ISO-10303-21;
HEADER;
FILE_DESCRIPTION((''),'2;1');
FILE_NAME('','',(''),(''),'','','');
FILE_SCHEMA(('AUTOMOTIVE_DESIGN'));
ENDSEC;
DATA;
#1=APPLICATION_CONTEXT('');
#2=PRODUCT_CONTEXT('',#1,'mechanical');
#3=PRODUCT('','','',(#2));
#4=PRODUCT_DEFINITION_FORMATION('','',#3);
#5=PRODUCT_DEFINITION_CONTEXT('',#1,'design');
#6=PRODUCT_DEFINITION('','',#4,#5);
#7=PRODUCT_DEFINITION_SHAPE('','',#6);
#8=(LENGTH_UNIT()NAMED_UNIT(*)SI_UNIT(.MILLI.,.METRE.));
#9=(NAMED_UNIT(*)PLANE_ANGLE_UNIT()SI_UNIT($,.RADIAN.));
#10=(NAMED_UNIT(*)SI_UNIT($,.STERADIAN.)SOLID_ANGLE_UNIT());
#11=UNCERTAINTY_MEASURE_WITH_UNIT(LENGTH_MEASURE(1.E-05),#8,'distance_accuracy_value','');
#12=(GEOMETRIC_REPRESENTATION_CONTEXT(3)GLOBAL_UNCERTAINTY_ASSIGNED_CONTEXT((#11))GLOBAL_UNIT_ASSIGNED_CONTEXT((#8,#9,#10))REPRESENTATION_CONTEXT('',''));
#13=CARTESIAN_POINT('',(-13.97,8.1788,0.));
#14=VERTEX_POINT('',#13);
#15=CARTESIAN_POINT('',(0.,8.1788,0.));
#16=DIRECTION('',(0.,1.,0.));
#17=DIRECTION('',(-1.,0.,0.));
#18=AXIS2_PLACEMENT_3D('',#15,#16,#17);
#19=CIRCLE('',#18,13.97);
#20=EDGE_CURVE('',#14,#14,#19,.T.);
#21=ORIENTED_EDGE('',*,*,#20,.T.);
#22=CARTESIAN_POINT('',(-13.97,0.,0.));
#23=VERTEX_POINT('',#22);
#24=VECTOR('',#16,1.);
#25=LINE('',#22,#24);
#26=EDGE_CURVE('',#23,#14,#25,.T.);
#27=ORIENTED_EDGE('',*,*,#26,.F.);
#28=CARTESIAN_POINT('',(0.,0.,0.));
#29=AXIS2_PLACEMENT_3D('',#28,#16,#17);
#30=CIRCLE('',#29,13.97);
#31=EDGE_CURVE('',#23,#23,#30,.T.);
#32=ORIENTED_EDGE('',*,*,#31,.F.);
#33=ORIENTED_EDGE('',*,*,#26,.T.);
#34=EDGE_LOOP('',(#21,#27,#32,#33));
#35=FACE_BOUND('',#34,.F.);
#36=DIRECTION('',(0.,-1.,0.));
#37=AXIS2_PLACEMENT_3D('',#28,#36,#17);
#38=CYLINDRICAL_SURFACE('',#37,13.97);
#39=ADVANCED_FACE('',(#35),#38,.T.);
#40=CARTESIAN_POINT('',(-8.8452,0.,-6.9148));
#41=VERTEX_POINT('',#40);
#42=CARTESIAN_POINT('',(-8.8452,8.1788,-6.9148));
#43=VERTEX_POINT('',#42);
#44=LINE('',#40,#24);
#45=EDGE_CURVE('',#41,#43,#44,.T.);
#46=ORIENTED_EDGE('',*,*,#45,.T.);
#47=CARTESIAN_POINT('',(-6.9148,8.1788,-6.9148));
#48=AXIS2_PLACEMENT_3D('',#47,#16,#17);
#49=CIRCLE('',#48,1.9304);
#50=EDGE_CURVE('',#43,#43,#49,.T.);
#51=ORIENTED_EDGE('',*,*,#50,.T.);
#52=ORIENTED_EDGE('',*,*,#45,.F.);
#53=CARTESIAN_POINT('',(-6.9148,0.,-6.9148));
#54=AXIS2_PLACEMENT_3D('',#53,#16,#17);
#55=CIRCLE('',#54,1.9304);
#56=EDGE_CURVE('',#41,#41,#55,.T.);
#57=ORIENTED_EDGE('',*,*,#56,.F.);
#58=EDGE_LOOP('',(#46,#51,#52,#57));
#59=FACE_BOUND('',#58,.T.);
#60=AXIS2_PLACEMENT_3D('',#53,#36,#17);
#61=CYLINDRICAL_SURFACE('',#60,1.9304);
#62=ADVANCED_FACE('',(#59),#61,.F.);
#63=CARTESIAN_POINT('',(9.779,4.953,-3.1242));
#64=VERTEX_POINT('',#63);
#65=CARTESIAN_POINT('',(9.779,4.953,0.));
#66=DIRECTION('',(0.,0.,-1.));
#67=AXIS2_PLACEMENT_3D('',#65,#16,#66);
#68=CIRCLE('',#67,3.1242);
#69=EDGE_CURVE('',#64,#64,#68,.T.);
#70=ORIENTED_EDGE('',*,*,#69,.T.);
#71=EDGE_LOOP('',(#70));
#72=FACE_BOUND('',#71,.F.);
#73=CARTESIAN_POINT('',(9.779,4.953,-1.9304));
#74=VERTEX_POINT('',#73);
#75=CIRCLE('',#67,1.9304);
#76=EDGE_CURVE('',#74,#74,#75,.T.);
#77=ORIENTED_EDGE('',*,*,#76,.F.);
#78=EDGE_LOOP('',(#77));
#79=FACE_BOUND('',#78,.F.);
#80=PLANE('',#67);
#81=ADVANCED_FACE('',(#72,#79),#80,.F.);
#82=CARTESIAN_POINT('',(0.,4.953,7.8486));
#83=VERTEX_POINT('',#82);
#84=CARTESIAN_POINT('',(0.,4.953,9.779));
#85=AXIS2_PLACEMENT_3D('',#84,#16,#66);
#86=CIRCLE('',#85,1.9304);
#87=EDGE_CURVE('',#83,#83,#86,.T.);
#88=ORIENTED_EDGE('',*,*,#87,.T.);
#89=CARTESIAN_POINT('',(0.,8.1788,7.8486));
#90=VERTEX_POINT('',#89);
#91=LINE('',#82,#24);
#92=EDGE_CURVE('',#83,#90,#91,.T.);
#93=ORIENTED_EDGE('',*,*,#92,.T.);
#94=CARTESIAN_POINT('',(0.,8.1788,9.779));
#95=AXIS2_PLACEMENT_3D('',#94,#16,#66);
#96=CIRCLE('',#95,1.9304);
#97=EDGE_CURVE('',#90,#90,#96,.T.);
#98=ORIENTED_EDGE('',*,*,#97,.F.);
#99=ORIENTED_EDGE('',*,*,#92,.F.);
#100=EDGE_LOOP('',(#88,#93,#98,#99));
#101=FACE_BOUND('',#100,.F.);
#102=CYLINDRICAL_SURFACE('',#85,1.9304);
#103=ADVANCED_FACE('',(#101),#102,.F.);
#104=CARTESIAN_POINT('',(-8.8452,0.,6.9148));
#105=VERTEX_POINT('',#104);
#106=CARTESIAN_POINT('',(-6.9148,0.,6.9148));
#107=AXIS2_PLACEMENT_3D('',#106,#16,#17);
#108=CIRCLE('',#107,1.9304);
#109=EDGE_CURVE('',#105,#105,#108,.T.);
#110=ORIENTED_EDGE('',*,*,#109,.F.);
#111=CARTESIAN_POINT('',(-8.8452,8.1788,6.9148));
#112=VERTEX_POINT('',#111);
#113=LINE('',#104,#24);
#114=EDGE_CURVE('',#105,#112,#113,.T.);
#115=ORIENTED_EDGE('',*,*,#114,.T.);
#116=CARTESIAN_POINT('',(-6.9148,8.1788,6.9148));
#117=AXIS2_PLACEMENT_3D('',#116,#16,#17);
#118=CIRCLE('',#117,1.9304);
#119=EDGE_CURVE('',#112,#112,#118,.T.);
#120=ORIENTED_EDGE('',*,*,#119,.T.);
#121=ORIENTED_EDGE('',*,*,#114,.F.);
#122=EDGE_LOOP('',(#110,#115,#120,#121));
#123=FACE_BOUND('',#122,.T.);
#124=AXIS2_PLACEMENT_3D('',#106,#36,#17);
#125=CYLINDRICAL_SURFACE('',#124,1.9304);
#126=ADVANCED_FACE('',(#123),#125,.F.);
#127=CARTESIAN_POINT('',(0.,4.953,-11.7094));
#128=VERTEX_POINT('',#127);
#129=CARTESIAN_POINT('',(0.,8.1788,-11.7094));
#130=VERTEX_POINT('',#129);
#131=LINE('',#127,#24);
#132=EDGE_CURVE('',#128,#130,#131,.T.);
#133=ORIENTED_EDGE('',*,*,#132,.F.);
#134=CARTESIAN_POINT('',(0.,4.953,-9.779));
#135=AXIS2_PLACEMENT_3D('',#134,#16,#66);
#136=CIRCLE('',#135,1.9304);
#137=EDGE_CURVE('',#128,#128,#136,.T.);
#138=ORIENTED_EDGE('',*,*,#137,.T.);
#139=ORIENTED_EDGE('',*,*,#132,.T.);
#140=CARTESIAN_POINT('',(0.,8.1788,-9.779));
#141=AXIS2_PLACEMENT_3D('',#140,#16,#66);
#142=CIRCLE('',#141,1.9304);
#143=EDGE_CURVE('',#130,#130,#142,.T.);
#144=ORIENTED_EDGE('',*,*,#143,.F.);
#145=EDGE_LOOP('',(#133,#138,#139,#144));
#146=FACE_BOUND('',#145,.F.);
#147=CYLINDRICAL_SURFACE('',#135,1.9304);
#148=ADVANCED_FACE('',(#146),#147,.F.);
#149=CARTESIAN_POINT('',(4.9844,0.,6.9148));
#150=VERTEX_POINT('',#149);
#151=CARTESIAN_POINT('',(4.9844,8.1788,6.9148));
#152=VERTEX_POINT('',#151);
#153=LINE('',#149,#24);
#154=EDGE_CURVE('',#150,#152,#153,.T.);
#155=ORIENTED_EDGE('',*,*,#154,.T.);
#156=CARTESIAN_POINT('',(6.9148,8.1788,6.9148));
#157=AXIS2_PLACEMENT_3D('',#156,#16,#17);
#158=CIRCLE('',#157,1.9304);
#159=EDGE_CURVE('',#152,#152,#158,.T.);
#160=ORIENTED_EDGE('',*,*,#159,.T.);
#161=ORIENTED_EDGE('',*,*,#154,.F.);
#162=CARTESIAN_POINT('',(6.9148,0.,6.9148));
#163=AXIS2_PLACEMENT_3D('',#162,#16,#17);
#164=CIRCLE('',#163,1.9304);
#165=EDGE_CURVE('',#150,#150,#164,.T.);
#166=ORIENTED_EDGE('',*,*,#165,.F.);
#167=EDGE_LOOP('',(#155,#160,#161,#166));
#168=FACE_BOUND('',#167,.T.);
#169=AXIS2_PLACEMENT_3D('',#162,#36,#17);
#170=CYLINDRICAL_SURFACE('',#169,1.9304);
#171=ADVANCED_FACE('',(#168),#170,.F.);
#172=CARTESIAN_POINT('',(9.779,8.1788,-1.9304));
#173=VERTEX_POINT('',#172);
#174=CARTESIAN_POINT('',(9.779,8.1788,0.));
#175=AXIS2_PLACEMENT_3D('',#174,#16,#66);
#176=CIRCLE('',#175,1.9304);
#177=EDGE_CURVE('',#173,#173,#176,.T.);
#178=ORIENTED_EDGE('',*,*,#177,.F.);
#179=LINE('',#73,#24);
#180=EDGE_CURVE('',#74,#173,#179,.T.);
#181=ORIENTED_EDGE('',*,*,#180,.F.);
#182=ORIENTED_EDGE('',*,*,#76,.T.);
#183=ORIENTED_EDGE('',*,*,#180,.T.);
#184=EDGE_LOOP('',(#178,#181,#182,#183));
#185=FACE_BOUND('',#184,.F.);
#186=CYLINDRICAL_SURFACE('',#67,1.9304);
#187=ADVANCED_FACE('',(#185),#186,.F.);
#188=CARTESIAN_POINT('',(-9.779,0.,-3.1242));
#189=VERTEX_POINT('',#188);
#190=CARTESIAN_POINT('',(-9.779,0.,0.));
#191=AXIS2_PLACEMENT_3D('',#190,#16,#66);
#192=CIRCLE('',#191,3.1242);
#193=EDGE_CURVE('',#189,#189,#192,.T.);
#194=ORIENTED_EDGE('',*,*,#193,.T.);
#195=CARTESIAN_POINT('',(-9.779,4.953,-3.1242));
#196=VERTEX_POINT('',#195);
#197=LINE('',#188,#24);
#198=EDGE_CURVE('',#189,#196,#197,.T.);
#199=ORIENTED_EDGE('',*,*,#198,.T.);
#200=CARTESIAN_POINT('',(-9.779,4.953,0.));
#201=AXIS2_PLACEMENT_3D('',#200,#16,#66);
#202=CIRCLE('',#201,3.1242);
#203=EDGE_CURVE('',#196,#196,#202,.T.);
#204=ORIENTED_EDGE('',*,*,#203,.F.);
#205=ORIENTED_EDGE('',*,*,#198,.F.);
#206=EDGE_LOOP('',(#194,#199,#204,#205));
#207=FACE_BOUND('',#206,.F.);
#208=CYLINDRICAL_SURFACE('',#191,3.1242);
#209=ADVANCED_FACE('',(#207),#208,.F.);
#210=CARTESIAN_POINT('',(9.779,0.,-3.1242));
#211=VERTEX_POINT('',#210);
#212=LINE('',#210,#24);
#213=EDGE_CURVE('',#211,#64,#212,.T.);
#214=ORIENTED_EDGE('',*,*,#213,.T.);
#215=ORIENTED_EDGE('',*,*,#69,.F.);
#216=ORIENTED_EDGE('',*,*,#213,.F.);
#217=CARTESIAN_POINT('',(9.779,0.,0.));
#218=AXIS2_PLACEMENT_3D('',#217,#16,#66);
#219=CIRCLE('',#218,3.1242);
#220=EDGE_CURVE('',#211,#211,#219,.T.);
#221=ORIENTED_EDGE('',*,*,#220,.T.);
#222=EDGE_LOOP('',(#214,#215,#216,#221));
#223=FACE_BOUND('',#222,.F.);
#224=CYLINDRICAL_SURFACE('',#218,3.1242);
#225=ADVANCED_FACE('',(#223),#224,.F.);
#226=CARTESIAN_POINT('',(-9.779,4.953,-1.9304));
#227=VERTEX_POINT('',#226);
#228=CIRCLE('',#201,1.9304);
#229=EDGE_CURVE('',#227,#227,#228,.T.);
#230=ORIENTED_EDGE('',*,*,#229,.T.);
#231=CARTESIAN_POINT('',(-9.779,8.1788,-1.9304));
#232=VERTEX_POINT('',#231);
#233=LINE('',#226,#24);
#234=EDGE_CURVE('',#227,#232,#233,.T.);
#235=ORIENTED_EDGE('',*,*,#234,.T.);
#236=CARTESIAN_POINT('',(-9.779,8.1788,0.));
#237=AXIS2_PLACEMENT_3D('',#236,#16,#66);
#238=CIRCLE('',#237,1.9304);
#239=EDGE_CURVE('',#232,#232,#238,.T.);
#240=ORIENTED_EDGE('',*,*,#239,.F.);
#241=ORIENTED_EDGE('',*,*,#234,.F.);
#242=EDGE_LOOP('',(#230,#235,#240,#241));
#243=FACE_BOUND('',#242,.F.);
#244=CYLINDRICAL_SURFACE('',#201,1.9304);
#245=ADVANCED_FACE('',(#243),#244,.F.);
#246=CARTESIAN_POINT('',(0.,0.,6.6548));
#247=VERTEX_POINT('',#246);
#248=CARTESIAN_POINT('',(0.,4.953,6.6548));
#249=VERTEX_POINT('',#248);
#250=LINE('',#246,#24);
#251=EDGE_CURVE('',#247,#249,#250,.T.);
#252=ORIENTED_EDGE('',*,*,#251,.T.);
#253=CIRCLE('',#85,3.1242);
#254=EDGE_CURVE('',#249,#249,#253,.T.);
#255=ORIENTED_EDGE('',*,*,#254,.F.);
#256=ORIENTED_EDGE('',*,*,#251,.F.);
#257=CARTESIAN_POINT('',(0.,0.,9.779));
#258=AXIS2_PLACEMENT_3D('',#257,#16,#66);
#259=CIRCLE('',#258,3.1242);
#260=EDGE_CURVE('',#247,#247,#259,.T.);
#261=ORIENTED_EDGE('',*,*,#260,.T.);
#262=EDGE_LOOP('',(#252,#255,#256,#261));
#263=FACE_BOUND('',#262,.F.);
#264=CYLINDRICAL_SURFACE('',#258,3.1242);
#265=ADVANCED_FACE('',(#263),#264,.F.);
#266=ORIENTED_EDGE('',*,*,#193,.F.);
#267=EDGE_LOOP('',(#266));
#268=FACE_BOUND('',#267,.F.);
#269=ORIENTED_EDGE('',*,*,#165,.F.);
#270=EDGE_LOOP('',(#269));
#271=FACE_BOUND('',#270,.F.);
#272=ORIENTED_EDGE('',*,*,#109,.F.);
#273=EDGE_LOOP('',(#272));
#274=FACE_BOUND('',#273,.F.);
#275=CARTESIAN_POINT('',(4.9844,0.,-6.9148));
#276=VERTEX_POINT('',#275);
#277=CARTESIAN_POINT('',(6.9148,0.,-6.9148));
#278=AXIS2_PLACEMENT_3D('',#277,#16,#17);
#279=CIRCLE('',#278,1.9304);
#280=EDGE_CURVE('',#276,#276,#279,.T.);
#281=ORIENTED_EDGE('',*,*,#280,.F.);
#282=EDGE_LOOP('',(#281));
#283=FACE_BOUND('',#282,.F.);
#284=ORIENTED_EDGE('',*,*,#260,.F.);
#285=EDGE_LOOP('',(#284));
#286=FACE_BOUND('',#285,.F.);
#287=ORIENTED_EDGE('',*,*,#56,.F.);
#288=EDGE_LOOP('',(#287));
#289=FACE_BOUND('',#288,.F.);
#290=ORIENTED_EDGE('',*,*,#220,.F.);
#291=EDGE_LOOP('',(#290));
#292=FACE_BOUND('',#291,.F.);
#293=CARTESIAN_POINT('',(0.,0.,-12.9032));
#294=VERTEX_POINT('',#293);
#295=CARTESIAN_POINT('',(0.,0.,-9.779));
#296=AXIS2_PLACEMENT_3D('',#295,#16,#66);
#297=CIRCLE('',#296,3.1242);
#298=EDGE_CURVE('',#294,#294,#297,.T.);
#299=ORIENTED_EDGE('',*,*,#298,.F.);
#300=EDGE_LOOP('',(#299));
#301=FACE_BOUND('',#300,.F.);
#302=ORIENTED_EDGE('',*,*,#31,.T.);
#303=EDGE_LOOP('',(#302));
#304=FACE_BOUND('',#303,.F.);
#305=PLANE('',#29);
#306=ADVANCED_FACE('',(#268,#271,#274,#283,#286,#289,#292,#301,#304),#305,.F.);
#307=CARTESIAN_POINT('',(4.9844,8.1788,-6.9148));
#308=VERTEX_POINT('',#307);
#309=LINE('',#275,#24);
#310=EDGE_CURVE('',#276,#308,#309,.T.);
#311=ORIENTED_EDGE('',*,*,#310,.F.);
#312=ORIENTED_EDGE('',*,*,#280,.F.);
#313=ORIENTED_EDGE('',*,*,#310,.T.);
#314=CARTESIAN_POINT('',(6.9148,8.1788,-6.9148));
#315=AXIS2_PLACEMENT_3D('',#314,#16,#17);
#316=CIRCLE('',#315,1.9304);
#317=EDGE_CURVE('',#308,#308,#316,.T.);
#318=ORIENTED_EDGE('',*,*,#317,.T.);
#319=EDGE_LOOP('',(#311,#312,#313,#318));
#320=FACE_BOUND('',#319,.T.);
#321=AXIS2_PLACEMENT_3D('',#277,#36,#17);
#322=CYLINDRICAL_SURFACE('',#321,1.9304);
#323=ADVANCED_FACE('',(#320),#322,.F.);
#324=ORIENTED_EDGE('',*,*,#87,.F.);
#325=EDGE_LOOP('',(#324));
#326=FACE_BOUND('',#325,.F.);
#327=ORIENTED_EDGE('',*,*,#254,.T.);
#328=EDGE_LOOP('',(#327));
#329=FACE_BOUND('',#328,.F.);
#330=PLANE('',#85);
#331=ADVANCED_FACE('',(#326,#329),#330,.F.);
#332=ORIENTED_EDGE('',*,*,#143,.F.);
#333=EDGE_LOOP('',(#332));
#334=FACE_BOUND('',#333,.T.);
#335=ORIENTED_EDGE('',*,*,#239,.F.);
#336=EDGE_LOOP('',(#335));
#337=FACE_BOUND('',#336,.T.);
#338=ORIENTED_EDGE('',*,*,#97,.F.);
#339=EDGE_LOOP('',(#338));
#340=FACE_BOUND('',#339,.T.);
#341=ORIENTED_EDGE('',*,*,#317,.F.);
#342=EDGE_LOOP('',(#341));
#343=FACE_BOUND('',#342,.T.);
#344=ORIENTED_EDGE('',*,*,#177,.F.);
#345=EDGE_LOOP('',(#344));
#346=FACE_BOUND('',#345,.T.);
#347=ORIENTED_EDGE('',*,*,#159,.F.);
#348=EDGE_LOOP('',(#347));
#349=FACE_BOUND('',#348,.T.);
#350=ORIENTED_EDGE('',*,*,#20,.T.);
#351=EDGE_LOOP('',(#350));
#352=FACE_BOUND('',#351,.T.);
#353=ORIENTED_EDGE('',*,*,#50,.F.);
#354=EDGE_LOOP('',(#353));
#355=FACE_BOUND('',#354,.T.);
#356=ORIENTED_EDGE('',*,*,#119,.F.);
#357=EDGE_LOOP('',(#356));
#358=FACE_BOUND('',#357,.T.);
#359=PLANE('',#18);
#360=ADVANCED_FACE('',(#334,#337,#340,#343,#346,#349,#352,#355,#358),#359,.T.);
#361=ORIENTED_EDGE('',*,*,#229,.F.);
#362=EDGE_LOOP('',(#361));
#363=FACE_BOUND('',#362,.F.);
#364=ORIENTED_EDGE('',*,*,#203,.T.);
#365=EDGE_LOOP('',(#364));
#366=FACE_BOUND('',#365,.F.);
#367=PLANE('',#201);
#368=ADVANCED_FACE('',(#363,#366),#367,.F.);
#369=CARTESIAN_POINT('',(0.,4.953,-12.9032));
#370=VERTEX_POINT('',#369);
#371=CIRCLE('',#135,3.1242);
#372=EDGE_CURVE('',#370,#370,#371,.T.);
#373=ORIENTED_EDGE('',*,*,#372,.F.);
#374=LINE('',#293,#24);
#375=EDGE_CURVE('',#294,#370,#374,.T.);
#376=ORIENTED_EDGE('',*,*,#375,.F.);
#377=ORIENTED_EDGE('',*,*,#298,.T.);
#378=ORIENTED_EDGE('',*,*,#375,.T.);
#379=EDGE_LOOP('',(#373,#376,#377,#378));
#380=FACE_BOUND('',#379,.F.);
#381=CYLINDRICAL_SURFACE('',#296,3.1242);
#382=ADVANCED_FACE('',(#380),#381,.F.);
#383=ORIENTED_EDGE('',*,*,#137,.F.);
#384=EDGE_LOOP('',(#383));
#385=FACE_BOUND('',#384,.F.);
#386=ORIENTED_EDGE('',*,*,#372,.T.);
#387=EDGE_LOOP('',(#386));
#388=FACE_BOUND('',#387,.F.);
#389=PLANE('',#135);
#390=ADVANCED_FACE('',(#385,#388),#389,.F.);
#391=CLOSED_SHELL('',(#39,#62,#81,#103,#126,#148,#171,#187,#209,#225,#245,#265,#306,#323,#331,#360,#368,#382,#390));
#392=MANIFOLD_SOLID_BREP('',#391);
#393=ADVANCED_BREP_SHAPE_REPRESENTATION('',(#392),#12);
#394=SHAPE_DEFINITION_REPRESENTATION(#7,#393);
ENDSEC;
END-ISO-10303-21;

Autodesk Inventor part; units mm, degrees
ref_plane "YZ Plane" through (0, 0, 0) normal (1, 0, 0) x (0, 1, 0)
ref_plane "XZ Plane" through (0, 0, 0) normal (0, 1, 0) x (-1, 0, 0)
ref_plane "XY Plane" through (0, 0, 0) normal (0, 0, 1) x (1, 0, 0)
sketch "Sketch1" plane through (0, 0, 0) normal (0, 1, 0) x (-1, 0, 0)
  circle A0 centre (9.779, 0) radius 1.9304 construction
  circle A1 centre (6.9148, 6.9148) radius 1.9304 construction
  circle A2 centre (0, 9.779) radius 1.9304 construction
  circle A3 centre (-6.9148, 6.9148) radius 1.9304 construction
  circle A4 centre (-9.779, 0) radius 1.9304 construction
  circle A5 centre (-6.9148, -6.9148) radius 1.9304 construction
  circle A6 centre (0, -9.779) radius 1.9304 construction
  circle A7 centre (6.9148, -6.9148) radius 1.9304 construction
  circle A8 centre (9.779, 0) radius 3.1242 construction
  circle A9 centre (0, 9.779) radius 3.1242 construction
  circle A10 centre (-9.779, 0) radius 3.1242 construction
  circle A11 centre (0, -9.779) radius 3.1242 construction
  circle A12 centre (0, 0) radius 13.97
  circle A13 centre (6.9148, -6.9148) radius 1.9304
  circle A14 centre (6.9148, 6.9148) radius 1.9304
  circle A15 centre (-6.9148, 6.9148) radius 1.9304
  circle A16 centre (-6.9148, -6.9148) radius 1.9304
  dimension "d0" = 3.8608
  dimension "d1" = 9.779
  dimension "d4" = 360
  dimension "d6" = 6.2484
  dimension "d9" = 360
  dimension "d11" = 27.94
  dimension "d12" = 3.8608
  dimension "d13" = 3.8608
  dimension "d14" = 3.8608
  dimension "d15" = 3.8608
extrude "Extrusion1" add sketch "Sketch1" along normal blind 8.1788
hole "Hole1" at (0, 0, 9.779) at (9.779, 0, 0) at (0, 0, -9.779) at (-9.779, 0, 0) direction (0, 1, 0) diameter 3.8608 end through all counterbore diameter 6.2484 counterbore depth 4.953
properties part number "Collector rotation xrail to turntable adapter"
